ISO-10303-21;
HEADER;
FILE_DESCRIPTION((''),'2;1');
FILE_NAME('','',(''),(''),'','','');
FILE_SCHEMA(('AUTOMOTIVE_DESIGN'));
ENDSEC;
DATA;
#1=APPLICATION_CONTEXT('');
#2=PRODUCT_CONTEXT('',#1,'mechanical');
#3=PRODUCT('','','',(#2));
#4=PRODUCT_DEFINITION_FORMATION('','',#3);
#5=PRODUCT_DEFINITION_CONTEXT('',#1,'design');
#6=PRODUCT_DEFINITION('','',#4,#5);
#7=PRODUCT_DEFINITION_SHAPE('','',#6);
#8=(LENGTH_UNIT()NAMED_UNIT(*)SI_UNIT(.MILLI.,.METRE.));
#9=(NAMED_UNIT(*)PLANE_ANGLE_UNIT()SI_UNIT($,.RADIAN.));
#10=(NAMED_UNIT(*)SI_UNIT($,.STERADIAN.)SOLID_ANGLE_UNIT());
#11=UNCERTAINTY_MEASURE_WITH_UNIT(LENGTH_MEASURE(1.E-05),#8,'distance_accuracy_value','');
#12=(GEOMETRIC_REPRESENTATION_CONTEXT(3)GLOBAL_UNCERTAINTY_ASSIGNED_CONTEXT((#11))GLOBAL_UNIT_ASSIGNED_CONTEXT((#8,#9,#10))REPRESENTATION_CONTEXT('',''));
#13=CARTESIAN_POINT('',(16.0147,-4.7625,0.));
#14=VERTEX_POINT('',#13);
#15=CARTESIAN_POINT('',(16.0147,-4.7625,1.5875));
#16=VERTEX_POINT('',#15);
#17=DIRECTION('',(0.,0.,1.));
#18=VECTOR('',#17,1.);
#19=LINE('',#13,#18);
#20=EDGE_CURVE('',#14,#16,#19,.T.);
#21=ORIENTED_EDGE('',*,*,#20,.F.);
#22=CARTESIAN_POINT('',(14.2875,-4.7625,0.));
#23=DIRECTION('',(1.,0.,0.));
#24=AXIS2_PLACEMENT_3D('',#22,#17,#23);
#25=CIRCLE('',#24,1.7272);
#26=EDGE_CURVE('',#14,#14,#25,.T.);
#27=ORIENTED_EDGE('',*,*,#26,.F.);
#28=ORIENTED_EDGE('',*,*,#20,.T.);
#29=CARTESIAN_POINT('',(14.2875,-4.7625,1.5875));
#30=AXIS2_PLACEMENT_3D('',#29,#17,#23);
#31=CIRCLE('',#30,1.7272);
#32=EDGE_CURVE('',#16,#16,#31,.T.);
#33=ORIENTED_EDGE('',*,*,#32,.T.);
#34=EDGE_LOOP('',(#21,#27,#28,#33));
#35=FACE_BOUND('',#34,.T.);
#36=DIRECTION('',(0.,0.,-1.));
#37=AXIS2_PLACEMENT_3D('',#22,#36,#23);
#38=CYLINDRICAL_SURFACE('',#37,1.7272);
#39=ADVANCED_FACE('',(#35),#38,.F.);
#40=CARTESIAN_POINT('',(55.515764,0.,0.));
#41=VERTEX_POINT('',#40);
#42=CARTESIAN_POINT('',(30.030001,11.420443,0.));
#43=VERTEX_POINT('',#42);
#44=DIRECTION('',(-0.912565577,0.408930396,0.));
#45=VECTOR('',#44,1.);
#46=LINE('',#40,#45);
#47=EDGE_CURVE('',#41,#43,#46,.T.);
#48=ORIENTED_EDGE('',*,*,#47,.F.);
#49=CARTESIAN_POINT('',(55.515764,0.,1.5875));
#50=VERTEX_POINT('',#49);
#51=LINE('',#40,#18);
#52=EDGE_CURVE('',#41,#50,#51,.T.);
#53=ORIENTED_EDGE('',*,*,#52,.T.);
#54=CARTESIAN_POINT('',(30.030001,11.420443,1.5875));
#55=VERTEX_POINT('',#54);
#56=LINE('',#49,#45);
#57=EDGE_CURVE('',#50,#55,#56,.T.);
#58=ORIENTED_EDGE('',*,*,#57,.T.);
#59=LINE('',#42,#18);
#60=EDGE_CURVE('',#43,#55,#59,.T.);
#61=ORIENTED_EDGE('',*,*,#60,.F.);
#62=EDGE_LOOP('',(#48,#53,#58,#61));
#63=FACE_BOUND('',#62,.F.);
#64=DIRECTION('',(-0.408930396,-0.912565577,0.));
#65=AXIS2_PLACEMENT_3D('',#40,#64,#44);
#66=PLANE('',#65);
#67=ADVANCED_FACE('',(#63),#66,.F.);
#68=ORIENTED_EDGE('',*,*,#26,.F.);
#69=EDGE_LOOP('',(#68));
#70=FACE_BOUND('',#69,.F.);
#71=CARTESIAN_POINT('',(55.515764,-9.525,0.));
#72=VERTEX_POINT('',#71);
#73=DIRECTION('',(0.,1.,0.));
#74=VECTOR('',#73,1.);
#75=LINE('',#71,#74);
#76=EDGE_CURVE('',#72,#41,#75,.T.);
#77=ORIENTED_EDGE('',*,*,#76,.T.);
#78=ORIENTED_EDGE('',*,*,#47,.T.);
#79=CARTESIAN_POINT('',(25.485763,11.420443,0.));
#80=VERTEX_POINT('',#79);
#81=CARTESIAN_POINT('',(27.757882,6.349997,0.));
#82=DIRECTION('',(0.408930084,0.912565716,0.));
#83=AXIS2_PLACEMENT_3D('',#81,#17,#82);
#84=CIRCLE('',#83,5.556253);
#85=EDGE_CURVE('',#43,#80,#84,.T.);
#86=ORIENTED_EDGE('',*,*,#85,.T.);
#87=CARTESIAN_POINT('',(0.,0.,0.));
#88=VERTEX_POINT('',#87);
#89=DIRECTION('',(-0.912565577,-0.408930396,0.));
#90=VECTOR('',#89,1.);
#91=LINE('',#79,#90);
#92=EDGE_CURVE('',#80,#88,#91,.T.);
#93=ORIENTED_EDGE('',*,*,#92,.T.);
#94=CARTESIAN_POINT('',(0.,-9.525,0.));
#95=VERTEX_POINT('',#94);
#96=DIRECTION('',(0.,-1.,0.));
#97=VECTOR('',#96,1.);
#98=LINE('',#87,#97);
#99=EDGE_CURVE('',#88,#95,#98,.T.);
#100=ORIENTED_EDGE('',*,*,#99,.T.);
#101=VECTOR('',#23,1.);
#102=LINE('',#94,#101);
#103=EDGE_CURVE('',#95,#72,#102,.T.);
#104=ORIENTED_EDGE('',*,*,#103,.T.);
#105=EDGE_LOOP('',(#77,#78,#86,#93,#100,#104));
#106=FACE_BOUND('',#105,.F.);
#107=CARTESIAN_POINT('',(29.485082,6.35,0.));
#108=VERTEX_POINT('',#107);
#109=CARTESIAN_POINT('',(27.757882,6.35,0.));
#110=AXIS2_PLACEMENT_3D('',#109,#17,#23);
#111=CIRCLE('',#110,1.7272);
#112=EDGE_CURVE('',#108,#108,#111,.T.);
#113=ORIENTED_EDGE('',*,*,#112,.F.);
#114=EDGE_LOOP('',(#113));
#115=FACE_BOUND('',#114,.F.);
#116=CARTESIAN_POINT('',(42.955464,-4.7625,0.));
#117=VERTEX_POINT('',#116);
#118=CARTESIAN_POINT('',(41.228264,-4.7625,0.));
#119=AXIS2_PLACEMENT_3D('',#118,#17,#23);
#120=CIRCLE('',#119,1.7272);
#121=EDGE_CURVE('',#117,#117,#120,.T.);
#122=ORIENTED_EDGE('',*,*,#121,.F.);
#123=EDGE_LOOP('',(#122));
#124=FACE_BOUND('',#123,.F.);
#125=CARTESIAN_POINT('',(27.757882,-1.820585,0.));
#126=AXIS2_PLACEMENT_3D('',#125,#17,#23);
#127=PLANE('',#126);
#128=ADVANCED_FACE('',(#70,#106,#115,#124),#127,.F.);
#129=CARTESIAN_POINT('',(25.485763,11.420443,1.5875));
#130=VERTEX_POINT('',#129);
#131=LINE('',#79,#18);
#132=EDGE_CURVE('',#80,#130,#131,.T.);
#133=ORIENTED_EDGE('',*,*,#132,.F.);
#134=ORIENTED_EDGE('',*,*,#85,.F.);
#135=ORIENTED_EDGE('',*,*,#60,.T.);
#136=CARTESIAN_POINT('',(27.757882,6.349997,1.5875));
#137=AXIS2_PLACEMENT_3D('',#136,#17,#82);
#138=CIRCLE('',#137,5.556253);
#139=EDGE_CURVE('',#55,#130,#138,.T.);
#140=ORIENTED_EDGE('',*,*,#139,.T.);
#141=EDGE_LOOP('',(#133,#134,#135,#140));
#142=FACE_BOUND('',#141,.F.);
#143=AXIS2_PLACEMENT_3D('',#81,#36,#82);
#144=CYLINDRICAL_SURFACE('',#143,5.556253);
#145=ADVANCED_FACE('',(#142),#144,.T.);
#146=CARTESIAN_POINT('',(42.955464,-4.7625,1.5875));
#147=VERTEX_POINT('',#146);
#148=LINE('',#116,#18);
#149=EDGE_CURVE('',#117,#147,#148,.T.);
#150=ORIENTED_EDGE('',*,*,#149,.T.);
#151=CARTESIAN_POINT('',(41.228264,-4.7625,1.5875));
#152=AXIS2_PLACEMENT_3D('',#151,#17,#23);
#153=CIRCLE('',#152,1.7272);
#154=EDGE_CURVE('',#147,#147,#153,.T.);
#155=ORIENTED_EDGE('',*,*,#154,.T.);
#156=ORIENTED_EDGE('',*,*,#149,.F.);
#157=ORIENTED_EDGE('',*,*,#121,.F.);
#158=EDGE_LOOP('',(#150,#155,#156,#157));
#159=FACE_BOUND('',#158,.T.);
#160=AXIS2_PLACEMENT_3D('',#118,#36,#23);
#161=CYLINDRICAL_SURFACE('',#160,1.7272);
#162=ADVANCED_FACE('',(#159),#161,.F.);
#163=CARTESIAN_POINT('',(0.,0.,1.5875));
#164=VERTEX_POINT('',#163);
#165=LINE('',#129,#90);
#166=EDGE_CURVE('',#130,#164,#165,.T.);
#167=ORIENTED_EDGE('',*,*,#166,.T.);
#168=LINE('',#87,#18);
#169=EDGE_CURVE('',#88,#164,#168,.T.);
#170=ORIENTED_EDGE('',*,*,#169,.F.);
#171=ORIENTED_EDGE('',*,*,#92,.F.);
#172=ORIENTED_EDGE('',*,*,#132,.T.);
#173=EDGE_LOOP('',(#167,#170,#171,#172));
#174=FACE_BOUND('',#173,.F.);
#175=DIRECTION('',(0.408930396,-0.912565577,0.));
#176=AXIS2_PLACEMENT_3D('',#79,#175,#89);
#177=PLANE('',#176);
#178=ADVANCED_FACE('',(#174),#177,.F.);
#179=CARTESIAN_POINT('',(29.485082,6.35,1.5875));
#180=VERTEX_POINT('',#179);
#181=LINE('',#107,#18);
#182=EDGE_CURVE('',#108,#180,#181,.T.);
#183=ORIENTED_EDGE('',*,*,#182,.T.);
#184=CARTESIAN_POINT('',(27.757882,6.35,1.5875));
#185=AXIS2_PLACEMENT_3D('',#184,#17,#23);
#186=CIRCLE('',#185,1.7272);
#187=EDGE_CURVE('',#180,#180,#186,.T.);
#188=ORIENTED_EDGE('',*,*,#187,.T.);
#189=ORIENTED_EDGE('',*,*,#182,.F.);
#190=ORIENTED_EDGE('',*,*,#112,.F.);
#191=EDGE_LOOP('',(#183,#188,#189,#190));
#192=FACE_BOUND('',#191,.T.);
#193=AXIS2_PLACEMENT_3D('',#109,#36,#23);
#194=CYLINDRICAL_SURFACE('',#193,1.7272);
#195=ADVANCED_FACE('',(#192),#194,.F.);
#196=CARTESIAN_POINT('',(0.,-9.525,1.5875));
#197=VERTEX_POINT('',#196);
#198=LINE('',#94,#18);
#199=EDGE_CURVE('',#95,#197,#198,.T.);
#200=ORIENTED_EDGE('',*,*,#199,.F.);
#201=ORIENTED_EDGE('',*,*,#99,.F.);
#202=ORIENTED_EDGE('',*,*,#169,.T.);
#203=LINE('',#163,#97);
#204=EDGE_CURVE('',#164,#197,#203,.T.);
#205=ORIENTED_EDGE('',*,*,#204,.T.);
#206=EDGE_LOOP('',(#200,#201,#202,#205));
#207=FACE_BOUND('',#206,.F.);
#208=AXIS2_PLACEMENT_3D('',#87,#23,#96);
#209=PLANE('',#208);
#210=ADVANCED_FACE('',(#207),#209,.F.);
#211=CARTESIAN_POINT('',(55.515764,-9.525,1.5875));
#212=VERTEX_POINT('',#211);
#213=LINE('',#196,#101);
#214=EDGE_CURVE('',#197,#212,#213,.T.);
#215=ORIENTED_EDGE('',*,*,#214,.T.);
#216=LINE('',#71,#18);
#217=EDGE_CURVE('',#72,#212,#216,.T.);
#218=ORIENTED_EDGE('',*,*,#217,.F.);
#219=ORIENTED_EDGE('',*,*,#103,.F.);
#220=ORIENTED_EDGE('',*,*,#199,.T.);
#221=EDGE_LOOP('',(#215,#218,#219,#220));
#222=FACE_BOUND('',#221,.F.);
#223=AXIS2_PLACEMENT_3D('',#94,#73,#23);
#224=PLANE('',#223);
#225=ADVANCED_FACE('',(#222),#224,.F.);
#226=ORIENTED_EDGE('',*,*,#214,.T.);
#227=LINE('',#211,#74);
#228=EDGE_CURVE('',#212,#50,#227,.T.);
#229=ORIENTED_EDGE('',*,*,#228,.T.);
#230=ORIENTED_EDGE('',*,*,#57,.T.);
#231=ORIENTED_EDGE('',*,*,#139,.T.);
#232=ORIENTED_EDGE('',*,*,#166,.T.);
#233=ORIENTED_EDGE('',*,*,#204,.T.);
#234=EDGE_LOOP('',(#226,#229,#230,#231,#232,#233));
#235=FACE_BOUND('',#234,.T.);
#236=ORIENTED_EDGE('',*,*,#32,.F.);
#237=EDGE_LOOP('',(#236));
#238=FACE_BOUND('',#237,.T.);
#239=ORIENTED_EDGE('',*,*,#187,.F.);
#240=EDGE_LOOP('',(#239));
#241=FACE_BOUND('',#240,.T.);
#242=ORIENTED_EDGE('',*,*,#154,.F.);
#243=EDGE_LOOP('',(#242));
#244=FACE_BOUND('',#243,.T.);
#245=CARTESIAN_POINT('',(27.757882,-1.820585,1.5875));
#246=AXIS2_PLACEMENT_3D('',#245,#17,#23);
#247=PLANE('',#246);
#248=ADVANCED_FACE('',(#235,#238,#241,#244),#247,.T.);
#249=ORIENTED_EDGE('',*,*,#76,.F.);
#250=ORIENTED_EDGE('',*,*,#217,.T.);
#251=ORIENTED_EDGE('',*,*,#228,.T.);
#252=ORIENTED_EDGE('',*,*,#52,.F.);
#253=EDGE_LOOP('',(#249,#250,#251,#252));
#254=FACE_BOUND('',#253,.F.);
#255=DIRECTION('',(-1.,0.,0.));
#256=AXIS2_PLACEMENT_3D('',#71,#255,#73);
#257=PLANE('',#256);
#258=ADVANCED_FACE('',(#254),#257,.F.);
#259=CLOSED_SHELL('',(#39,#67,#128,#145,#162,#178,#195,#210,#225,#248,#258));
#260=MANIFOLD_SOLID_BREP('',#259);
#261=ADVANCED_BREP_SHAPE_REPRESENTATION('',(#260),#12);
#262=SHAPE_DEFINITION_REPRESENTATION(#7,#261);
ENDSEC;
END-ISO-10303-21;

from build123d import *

# Parameters (mm, degrees)
F0_R     = 1.7272
F1_DEPTH = 1.5875


with BuildPart() as f1:
    # F0 (on Top) → F1 (new body)
    with BuildSketch(Plane.XY):
        with BuildLine():
            Line((0, 0), (0, -9.525))
            Line((0, -9.525), (55.515764, -9.525))
            Line((55.515764, -9.525), (55.515764, 0))
            Line((55.515764, 0), (30.030001, 11.420443))
            ThreePointArc((30.030001, 11.420443), (27.757882, 11.90625), (25.485763, 11.420443))
            Line((25.485763, 11.420443), (0, 0))
        make_face()
        with Locations((14.2875, -4.7625)):
            Circle(F0_R, mode=Mode.SUBTRACT)
        with Locations((41.228264, -4.7625)):
            Circle(F0_R, mode=Mode.SUBTRACT)
        with Locations((27.757882, 6.35)):
            Circle(F0_R, mode=Mode.SUBTRACT)
    extrude(amount=F1_DEPTH)


solid = f1.part
